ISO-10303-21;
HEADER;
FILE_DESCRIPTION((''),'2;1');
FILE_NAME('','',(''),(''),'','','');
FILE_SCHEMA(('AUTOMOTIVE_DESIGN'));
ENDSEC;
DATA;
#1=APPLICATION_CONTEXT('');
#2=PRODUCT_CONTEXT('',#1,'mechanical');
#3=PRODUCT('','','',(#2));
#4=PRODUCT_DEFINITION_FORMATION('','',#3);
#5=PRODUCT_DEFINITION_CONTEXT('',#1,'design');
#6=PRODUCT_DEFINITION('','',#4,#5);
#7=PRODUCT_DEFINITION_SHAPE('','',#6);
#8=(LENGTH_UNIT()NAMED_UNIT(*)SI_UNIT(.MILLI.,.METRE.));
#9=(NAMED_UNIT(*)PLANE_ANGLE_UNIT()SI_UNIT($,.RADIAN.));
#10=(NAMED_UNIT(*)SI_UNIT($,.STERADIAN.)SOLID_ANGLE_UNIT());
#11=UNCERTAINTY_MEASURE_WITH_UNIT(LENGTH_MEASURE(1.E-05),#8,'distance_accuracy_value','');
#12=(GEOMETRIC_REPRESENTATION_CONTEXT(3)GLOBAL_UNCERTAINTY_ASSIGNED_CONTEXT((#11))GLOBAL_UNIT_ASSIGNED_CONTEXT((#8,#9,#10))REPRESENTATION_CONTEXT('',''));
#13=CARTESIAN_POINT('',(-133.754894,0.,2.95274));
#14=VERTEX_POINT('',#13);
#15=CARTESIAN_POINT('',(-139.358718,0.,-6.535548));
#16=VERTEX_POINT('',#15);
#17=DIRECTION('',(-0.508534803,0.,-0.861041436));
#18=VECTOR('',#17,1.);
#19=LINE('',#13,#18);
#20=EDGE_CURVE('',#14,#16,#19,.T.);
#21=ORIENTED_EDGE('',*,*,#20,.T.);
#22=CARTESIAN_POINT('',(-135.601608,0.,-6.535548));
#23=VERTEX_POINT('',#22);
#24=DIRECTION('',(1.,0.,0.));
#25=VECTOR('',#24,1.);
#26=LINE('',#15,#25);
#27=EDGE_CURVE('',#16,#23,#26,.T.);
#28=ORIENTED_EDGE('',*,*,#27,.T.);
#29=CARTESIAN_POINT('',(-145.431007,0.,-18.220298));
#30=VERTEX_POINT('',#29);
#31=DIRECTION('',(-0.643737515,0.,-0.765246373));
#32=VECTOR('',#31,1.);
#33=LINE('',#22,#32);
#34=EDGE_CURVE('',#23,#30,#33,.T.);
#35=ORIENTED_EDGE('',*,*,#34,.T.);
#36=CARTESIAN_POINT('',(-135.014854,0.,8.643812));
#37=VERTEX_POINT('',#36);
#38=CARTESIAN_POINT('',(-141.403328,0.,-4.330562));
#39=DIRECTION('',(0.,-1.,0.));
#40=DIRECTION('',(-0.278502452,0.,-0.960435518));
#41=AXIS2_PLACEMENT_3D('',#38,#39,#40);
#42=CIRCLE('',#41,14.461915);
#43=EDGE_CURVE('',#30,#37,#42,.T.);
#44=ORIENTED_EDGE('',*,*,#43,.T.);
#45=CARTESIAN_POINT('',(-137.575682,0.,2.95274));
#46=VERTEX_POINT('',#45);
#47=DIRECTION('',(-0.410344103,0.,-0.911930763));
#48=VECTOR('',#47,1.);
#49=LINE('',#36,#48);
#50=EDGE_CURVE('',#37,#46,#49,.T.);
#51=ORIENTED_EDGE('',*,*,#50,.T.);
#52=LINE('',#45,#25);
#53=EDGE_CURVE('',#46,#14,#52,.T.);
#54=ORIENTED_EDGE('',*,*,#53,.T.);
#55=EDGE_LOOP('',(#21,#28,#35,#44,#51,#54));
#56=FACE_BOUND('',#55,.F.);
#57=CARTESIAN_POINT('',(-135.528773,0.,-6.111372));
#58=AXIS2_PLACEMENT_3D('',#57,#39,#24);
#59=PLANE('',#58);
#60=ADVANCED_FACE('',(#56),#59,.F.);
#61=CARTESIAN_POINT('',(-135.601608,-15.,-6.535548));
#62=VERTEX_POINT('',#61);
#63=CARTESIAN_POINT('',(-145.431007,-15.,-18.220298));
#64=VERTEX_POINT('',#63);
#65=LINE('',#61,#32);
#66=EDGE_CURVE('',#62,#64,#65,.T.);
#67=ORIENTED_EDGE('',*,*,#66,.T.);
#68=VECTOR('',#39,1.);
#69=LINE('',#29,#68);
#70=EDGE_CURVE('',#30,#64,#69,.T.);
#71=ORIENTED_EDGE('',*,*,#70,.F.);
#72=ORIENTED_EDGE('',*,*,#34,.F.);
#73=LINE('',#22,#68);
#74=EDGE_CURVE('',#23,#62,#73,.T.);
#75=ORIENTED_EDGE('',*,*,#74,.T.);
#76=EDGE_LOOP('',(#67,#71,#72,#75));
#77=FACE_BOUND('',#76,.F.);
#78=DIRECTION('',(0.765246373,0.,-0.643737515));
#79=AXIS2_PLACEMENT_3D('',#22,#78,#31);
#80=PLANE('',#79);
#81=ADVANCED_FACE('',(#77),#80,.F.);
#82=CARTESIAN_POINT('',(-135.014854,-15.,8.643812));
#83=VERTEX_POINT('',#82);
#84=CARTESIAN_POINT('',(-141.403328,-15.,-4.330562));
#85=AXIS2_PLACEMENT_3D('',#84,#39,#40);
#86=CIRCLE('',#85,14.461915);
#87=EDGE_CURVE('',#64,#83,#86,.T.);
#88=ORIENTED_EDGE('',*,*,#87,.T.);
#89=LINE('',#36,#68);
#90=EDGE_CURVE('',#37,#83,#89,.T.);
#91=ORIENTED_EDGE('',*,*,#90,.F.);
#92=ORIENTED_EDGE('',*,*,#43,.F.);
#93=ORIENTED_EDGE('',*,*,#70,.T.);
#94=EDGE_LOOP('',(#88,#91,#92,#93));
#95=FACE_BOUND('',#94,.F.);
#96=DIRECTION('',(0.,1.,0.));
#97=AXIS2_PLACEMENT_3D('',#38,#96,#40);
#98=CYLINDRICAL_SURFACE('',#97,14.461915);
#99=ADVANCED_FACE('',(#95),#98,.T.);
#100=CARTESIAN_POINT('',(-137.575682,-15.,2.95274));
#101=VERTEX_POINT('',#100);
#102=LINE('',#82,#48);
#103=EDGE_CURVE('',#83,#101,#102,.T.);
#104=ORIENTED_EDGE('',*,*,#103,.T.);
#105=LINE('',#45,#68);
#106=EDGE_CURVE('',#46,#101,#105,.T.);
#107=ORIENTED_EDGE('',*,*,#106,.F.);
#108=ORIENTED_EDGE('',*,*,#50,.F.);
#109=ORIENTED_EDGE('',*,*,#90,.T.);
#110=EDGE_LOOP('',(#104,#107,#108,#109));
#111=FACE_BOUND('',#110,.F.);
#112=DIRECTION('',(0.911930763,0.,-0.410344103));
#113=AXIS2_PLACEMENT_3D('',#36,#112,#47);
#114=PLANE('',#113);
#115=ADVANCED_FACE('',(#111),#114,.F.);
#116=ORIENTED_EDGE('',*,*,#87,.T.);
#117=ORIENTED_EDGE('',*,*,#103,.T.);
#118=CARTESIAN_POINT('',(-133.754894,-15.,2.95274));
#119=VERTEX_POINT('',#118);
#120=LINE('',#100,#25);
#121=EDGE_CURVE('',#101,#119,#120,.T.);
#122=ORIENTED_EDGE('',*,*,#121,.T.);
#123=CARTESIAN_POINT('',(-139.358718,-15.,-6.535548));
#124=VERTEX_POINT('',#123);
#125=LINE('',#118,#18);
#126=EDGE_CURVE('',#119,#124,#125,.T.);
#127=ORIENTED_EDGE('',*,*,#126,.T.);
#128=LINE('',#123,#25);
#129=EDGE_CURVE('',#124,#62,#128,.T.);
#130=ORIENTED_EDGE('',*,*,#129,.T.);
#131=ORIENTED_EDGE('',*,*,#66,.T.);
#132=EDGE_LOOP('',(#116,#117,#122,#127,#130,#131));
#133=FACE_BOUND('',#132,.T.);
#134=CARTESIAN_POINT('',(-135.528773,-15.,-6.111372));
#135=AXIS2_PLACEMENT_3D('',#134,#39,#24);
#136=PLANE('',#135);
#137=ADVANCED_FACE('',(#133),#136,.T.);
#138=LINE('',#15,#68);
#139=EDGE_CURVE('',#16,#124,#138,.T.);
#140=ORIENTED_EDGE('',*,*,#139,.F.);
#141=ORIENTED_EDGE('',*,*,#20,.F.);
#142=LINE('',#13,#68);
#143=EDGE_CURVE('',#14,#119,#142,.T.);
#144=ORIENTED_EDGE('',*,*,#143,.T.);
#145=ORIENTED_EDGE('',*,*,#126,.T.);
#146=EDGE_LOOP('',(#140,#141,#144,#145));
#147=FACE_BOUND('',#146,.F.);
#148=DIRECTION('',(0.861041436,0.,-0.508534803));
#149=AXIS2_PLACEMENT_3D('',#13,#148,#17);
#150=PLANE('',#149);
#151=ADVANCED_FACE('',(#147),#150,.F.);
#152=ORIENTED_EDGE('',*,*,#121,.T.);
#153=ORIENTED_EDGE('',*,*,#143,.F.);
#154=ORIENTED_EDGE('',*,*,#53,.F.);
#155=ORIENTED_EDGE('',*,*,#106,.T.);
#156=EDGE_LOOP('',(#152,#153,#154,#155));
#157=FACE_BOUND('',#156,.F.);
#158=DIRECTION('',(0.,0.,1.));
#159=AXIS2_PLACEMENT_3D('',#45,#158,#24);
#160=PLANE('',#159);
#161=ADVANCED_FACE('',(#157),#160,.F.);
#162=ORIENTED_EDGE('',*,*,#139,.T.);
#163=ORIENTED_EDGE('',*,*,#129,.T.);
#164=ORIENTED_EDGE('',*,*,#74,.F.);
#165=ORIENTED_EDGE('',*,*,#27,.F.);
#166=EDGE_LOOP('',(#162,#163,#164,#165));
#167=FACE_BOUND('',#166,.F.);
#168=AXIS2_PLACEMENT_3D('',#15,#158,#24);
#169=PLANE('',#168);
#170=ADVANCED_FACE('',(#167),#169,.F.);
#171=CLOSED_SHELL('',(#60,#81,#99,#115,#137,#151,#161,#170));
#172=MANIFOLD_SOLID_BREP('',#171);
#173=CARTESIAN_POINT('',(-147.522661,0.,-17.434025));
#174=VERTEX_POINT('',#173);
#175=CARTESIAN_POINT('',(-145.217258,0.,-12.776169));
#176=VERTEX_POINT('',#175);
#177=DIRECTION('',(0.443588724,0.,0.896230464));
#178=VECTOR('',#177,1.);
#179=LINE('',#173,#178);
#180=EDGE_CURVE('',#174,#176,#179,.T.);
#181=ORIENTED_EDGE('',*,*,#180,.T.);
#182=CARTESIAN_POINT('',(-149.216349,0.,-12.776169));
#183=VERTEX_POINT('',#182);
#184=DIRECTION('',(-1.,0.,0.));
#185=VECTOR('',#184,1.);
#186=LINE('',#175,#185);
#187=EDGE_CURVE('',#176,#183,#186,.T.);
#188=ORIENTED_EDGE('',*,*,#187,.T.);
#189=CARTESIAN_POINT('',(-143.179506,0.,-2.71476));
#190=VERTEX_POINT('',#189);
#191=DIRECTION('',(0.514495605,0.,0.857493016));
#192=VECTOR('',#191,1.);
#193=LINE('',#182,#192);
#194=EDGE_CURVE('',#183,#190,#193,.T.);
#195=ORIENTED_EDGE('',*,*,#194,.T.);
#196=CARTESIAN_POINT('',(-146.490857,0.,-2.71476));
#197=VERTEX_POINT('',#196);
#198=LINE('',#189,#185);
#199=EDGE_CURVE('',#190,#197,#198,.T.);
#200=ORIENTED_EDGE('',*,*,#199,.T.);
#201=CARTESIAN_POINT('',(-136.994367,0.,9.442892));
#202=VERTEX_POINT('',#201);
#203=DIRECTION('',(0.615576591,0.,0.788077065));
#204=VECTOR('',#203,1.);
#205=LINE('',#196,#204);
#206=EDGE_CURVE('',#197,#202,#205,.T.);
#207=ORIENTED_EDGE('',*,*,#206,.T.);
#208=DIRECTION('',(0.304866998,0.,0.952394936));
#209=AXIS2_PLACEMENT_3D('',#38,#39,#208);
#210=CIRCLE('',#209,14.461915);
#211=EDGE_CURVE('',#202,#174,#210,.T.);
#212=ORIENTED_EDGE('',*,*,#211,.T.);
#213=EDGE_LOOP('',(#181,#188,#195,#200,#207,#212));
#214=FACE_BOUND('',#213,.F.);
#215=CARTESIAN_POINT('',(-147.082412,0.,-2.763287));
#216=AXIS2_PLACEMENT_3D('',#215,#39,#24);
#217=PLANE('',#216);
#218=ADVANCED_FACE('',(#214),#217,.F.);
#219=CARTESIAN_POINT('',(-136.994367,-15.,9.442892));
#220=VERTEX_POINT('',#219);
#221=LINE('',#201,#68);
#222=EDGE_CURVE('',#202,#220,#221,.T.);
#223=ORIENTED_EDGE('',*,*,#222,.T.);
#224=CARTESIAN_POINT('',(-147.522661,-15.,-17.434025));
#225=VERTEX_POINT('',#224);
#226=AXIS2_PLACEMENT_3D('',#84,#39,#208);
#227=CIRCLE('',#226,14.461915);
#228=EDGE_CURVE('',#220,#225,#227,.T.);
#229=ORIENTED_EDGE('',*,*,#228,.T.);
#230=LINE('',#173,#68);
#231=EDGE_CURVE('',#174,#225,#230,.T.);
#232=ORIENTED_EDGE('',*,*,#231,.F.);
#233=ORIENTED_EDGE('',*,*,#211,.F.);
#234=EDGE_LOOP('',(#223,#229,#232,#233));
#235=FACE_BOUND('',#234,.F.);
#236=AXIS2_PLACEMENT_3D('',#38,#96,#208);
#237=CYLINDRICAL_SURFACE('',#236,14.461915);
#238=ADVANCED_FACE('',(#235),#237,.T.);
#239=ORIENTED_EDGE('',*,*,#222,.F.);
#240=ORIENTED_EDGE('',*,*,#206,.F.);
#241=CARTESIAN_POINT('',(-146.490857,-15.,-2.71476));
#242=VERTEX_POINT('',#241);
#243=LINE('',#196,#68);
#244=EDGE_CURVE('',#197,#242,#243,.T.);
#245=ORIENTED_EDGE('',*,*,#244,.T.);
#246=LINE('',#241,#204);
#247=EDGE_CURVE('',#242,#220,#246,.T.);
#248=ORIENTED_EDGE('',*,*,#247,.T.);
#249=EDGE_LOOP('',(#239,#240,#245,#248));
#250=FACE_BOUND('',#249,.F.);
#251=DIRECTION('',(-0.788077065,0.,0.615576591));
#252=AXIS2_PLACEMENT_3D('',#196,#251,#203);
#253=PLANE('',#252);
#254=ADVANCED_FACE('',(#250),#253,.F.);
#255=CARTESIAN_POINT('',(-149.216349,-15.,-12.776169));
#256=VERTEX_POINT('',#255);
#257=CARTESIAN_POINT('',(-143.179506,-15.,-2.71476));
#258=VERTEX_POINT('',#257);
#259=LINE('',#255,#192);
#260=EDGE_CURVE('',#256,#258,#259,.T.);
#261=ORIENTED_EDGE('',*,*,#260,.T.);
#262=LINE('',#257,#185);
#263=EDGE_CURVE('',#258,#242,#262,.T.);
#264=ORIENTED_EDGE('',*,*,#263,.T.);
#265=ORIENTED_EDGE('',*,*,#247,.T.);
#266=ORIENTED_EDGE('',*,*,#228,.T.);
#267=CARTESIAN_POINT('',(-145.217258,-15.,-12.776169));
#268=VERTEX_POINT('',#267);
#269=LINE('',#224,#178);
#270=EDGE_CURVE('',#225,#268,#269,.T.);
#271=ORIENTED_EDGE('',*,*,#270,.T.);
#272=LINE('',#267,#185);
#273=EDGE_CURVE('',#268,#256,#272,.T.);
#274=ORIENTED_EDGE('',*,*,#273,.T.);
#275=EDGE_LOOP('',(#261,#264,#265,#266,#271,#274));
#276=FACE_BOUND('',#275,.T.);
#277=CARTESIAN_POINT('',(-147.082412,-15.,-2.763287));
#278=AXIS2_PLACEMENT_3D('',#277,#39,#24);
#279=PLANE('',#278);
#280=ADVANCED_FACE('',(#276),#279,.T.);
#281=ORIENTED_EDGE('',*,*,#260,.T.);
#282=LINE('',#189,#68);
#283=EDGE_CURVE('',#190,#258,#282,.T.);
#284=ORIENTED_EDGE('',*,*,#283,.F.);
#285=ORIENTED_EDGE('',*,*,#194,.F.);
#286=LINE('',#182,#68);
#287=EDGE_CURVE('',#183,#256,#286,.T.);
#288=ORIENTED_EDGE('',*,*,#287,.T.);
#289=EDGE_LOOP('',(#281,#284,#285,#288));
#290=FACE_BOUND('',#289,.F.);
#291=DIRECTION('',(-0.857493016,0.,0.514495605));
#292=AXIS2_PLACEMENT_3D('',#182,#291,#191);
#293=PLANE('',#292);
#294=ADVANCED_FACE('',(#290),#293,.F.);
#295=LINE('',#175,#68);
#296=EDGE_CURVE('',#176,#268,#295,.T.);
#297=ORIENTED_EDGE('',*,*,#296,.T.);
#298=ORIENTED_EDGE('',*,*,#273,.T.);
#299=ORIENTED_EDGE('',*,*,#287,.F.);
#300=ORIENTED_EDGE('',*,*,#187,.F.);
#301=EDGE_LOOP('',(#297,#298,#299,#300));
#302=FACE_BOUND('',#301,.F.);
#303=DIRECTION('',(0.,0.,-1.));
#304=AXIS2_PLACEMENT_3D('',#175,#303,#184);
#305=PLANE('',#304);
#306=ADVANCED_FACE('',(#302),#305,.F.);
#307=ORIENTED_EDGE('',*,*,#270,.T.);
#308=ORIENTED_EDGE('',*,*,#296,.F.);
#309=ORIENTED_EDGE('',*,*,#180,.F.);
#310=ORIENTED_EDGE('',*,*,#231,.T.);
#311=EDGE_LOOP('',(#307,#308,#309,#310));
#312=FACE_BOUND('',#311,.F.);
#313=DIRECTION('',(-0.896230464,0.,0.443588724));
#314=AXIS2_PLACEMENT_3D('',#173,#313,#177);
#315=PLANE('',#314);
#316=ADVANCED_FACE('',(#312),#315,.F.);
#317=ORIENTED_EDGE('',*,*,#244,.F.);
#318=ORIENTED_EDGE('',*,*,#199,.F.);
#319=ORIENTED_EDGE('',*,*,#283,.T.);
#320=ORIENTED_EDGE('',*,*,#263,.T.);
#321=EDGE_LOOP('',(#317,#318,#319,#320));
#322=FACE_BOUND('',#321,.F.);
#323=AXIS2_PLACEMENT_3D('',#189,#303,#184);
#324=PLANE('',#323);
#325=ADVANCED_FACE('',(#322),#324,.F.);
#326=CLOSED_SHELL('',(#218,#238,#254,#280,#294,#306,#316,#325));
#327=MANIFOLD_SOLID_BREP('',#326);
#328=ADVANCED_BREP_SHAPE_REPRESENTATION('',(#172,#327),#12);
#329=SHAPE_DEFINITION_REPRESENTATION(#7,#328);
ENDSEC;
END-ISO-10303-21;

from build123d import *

# Parameters (mm, degrees)
F1_DEPTH = 15


with BuildPart() as f1:
    # F0 (on Front) → F1 (new body)
    with BuildSketch(Plane.XZ):
        with BuildLine():
            Line((-146.490857, -2.71476), (-136.994367, 9.442892))
            ThreePointArc((-136.994367, 9.442892), (-154.868969, 0.944234), (-147.522661, -17.434025))
            Line((-147.522661, -17.434025), (-145.217258, -12.776169))
            Line((-145.217258, -12.776169), (-149.216349, -12.776169))
            Line((-149.216349, -12.776169), (-143.179506, -2.71476))
            Line((-143.179506, -2.71476), (-146.490857, -2.71476))
        make_face()
        with BuildLine():
            ThreePointArc((-145.431007, -18.220298), (-127.919507, -9.55871), (-135.014854, 8.643812))
            Line((-135.014854, 8.643812), (-137.575682, 2.95274))
            Line((-137.575682, 2.95274), (-133.754894, 2.95274))
            Line((-133.754894, 2.95274), (-139.358718, -6.535548))
            Line((-139.358718, -6.535548), (-135.601608, -6.535548))
            Line((-135.601608, -6.535548), (-145.431007, -18.220298))
        make_face()
    extrude(amount=F1_DEPTH)


solid = f1.part
